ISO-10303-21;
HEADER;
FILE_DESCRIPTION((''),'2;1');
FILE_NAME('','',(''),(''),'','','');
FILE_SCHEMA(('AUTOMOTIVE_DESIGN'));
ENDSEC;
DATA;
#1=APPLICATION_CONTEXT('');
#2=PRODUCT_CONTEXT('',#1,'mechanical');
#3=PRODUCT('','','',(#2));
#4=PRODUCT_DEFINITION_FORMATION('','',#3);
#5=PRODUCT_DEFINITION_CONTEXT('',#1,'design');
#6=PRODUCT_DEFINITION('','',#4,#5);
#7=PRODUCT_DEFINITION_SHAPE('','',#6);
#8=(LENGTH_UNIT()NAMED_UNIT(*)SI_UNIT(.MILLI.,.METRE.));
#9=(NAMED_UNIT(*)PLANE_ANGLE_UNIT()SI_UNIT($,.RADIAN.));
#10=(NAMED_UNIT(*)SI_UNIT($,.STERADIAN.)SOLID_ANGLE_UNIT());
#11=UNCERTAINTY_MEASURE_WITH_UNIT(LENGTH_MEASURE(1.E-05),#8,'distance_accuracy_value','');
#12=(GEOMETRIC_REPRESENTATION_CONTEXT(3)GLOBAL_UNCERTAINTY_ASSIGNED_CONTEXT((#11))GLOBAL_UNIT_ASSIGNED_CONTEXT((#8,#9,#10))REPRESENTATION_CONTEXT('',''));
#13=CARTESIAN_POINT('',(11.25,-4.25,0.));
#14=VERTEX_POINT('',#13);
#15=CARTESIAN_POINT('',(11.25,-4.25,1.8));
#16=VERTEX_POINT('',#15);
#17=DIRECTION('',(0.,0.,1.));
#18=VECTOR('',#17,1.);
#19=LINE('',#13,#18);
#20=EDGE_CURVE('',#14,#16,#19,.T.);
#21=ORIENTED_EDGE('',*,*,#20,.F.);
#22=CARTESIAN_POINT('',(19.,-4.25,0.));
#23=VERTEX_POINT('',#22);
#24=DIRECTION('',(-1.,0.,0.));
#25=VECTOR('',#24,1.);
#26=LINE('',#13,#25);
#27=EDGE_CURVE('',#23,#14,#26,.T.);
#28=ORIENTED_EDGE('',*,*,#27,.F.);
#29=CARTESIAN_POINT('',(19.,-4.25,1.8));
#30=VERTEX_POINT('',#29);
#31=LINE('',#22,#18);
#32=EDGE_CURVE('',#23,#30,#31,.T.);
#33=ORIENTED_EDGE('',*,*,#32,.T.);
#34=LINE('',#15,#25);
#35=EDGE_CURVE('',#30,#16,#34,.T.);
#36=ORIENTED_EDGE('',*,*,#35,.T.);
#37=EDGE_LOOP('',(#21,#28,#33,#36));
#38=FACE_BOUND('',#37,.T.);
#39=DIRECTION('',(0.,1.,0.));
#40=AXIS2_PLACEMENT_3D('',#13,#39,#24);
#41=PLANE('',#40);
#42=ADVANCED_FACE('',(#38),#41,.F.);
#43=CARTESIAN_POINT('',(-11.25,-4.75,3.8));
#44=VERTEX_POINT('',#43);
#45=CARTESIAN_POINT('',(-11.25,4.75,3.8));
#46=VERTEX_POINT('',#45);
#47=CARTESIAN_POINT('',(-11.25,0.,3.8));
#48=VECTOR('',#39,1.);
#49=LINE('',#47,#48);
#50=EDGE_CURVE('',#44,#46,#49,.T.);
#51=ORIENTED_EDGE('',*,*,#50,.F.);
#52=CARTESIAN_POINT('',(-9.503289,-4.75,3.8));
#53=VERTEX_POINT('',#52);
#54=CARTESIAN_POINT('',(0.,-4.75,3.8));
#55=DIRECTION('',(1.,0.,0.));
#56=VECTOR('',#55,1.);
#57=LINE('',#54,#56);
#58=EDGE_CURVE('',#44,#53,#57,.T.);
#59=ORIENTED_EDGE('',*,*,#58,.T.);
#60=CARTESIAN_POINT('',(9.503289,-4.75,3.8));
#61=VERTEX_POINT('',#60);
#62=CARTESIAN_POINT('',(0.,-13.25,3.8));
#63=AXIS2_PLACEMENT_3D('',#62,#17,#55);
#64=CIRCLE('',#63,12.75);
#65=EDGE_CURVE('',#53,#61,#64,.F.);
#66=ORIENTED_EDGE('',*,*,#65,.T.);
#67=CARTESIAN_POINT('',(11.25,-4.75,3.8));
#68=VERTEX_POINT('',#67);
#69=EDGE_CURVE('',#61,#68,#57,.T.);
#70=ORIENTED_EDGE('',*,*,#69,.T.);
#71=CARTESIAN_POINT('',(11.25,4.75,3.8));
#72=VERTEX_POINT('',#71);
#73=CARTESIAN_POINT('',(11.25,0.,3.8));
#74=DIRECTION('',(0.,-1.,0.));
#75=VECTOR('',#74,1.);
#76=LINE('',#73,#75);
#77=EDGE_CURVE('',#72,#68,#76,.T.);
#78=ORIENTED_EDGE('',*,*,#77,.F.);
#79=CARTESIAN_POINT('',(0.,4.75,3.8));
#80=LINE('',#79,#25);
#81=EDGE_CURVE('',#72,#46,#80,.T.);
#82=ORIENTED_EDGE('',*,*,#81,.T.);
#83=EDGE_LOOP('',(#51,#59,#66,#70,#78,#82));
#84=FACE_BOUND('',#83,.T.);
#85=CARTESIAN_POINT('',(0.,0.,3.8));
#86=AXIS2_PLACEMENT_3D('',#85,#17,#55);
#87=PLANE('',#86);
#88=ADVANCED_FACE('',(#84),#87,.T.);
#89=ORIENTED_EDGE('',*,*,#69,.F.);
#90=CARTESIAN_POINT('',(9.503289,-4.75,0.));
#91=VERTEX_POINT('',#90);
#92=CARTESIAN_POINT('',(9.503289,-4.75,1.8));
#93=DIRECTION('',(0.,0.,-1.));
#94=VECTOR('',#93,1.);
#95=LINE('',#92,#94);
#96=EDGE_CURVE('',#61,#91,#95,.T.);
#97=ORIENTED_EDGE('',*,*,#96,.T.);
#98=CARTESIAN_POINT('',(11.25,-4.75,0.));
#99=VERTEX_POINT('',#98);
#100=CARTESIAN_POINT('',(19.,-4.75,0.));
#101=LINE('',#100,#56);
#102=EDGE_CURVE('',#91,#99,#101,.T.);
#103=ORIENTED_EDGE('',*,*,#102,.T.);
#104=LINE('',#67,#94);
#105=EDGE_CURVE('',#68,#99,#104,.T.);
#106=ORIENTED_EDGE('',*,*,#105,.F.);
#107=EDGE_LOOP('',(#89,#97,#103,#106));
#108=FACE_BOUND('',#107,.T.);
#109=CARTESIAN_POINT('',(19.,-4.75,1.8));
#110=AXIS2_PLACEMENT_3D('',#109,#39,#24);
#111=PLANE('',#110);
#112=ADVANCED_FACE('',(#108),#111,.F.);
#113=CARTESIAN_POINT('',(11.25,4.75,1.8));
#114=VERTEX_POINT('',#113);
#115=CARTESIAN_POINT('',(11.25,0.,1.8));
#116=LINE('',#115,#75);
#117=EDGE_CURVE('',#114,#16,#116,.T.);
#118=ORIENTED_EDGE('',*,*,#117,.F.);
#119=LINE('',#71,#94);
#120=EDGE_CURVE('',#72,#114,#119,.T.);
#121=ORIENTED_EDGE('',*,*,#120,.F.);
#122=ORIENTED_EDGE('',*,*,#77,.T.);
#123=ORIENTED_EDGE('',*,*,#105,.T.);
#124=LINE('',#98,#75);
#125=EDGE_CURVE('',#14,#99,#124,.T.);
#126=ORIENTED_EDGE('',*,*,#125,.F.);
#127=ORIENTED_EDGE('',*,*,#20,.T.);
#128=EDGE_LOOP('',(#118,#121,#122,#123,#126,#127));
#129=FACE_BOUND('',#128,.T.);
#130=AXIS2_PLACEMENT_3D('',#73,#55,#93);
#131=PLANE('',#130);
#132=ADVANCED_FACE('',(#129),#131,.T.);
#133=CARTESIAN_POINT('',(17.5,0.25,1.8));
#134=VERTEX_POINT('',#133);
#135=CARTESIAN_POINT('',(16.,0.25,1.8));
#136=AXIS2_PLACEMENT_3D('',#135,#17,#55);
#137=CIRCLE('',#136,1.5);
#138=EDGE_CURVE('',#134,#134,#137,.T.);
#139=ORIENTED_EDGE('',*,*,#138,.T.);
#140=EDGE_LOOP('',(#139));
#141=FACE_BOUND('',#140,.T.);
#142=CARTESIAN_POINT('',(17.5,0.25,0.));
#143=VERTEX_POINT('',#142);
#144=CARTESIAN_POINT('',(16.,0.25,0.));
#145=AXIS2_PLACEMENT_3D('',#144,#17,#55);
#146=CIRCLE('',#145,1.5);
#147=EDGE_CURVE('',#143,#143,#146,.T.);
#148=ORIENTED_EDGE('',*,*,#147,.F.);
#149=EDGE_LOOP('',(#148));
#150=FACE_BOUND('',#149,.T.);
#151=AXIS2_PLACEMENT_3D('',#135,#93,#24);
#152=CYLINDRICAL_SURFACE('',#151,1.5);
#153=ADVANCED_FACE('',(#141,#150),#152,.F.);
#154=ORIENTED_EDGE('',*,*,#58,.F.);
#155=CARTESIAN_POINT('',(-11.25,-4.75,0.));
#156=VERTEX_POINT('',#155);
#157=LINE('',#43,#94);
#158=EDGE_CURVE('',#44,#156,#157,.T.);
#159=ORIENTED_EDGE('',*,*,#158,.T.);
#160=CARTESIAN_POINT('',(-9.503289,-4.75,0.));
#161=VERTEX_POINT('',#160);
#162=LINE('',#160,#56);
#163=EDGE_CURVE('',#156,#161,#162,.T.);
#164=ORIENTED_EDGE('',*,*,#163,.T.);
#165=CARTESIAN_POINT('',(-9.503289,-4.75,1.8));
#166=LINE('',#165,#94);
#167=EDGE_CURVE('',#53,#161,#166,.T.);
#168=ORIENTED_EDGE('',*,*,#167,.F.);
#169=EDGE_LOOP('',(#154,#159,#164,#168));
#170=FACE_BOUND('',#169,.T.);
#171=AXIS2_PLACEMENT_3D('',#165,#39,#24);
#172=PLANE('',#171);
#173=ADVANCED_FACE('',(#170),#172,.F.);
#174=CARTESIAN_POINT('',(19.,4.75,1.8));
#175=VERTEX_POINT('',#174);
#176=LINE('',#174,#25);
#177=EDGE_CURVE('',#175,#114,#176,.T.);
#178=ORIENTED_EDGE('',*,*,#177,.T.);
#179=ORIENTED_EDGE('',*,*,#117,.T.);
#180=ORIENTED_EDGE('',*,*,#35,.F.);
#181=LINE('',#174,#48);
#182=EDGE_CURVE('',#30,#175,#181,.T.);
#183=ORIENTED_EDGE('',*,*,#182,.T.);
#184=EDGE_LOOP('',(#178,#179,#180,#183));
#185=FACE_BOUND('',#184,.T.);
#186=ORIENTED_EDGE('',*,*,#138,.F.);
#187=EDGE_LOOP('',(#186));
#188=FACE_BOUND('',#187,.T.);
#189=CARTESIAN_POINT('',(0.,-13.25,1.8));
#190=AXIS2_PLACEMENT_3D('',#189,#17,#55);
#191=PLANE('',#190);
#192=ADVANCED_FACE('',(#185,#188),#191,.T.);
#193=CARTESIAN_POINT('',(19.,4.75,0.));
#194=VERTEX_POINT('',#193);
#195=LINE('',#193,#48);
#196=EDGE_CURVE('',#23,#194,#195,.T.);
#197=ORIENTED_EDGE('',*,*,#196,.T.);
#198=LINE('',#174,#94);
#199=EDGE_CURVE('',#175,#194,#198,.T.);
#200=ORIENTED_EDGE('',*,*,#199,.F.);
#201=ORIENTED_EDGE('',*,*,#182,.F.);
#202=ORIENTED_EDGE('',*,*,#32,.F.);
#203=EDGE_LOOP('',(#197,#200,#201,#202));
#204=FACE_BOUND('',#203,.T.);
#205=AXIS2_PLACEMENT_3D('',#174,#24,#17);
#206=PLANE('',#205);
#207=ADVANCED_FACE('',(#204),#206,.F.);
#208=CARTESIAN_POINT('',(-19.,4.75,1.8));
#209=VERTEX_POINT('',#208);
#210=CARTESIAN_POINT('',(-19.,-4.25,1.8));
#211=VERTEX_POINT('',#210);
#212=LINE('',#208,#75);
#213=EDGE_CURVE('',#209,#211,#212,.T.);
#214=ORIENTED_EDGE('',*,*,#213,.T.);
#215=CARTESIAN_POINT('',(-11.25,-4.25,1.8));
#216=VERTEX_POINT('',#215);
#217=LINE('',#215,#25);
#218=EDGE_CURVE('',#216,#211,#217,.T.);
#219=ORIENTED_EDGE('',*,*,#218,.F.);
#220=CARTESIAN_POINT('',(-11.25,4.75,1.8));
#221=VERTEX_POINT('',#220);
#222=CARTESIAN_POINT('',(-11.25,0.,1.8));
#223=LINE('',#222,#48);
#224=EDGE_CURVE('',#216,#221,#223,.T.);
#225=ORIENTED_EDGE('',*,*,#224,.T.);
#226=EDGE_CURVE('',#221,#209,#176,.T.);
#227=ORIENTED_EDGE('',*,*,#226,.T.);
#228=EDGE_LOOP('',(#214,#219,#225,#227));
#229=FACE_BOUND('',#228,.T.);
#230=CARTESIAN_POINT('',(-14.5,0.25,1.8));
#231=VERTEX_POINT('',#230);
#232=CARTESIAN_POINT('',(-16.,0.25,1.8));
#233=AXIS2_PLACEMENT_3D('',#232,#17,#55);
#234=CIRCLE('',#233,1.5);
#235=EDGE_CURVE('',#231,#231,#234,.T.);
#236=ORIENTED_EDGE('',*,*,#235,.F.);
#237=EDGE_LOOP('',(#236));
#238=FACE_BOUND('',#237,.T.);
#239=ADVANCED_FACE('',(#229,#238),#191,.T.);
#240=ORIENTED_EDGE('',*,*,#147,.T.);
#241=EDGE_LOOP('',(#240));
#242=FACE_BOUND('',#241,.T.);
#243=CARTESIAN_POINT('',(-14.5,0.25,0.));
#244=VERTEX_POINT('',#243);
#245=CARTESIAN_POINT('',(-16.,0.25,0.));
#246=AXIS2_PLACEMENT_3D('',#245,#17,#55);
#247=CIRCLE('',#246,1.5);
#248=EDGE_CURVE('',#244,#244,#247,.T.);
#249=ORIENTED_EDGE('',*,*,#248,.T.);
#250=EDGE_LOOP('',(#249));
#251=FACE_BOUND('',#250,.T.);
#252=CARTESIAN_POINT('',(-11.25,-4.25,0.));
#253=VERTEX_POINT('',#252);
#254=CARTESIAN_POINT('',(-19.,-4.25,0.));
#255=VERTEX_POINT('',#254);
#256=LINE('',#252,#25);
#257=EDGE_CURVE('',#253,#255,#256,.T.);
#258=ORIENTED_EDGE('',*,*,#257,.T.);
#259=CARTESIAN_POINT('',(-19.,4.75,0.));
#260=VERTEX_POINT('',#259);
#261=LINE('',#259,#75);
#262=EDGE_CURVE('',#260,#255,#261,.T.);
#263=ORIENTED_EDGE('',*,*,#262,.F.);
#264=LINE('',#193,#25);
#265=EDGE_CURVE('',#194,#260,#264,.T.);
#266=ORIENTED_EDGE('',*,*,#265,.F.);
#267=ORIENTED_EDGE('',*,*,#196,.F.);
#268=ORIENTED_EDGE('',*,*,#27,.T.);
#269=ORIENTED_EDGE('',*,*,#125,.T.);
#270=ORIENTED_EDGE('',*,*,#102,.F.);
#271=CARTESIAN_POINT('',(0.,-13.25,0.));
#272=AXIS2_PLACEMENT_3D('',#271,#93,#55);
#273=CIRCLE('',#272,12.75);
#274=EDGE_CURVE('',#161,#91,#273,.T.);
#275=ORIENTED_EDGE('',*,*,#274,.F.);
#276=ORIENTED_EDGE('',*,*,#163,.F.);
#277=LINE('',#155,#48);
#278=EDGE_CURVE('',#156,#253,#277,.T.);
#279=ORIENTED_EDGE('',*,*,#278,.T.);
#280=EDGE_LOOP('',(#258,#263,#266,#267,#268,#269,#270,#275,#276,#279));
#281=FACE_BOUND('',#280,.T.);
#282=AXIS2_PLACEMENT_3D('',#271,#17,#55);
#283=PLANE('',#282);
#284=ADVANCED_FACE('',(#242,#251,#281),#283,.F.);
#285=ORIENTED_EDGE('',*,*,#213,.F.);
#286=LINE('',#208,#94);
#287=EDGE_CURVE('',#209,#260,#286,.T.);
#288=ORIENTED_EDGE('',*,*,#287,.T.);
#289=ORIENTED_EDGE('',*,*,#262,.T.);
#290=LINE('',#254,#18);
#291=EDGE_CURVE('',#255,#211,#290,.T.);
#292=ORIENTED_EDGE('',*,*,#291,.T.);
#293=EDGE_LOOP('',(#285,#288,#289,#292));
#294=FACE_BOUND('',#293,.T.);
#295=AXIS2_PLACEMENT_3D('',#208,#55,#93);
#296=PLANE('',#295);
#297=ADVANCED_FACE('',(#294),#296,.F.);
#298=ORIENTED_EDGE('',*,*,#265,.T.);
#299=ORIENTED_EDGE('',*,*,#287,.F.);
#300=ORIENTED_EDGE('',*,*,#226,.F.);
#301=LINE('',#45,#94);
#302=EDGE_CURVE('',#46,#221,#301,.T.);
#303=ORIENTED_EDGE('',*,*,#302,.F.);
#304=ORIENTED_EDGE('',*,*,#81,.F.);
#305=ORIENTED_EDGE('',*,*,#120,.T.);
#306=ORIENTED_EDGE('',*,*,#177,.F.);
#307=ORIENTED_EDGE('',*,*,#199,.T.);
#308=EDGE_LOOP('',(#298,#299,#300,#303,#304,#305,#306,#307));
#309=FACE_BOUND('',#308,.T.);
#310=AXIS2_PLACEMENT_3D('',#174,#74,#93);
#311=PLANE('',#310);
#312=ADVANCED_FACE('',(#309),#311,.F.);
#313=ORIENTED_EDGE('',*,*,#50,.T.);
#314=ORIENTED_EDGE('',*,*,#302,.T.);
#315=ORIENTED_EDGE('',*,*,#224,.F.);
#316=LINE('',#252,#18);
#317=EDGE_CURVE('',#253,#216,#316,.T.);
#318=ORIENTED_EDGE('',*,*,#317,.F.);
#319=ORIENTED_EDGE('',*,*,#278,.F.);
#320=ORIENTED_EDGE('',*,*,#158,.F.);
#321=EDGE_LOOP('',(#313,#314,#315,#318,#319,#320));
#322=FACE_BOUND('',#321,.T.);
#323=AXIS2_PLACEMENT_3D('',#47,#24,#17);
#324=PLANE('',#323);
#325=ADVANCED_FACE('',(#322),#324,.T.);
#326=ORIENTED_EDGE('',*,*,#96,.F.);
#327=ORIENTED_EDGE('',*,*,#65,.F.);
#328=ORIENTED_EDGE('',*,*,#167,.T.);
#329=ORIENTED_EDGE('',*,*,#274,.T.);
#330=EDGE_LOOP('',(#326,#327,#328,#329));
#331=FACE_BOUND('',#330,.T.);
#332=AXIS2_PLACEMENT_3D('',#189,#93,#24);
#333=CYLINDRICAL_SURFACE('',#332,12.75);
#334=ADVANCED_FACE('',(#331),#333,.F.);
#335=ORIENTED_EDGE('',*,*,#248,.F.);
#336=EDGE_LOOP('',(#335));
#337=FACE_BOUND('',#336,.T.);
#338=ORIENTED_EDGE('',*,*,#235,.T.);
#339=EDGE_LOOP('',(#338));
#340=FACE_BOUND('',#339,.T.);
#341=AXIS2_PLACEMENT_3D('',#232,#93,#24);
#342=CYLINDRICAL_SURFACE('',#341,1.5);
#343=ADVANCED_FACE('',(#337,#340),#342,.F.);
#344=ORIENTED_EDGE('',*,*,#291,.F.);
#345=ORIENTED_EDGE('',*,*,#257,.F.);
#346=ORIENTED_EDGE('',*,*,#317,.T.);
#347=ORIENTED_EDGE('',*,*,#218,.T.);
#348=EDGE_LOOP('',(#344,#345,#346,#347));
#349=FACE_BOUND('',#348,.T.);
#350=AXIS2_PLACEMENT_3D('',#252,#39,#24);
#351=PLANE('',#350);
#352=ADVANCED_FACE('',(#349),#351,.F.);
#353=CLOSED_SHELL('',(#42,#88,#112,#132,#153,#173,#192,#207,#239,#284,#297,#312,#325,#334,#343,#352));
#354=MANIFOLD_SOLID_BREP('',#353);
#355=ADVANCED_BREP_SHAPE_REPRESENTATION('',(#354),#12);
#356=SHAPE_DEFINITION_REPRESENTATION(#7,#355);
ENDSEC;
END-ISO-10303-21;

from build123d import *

# Parameters (mm, degrees)
SKETCH_1_R          = 1.5
EXTRUDE_1_DEPTH     = 1.8
EXTRUDE_2_DEPTH     = 2
SKETCH_3_W          = 7.75
SKETCH_3_H          = 0.5
CUT_EXTRUDE_1_DEPTH = 20.686607123


with BuildPart() as part:
    # 草图1 → 凸台-拉伸1 (new body)
    with BuildSketch(Plane.XY):
        with BuildLine():
            Line((-9.503288904, -4.75), (-19, -4.75))
            Line((-19, -4.75), (-19, 4.75))
            Line((-19, 4.75), (19, 4.75))
            Line((19, 4.75), (19, -4.75))
            Line((19, -4.75), (9.503288904, -4.75))
            ThreePointArc((9.503288904, -4.75), (0, -0.5), (-9.503288904, -4.75))
        make_face()
        with Locations((-16, 0.25)):
            Circle(SKETCH_1_R, mode=Mode.SUBTRACT)
        with Locations((16, 0.25)):
            Circle(SKETCH_1_R, mode=Mode.SUBTRACT)
    extrude(amount=EXTRUDE_1_DEPTH)

    # 草图2 → 凸台-拉伸2 (add)
    with BuildSketch(Plane.XY.offset(1.8)):
        with BuildLine():
            Line((-11.25, 4.75), (-11.25, -4.75))
            Line((-11.25, -4.75), (-9.503288904, -4.75))
            ThreePointArc((-9.503288904, -4.75), (0, -0.5), (9.503288904, -4.75))
            Line((9.503288904, -4.75), (11.25, -4.75))
            Line((11.25, -4.75), (11.25, 4.75))
            Line((11.25, 4.75), (-11.25, 4.75))
        make_face()
    extrude(amount=EXTRUDE_2_DEPTH)

    # 草图3 → 切除-拉伸1 (cut, through all)
    with BuildSketch(Plane.XY.offset(1.8)):
        with Locations((-15.125, -4.5)):
            Rectangle(SKETCH_3_W, SKETCH_3_H)
        with Locations((15.125, -4.5)):
            Rectangle(SKETCH_3_W, SKETCH_3_H)
    extrude(amount=-CUT_EXTRUDE_1_DEPTH, mode=Mode.SUBTRACT)


solid = part.part
